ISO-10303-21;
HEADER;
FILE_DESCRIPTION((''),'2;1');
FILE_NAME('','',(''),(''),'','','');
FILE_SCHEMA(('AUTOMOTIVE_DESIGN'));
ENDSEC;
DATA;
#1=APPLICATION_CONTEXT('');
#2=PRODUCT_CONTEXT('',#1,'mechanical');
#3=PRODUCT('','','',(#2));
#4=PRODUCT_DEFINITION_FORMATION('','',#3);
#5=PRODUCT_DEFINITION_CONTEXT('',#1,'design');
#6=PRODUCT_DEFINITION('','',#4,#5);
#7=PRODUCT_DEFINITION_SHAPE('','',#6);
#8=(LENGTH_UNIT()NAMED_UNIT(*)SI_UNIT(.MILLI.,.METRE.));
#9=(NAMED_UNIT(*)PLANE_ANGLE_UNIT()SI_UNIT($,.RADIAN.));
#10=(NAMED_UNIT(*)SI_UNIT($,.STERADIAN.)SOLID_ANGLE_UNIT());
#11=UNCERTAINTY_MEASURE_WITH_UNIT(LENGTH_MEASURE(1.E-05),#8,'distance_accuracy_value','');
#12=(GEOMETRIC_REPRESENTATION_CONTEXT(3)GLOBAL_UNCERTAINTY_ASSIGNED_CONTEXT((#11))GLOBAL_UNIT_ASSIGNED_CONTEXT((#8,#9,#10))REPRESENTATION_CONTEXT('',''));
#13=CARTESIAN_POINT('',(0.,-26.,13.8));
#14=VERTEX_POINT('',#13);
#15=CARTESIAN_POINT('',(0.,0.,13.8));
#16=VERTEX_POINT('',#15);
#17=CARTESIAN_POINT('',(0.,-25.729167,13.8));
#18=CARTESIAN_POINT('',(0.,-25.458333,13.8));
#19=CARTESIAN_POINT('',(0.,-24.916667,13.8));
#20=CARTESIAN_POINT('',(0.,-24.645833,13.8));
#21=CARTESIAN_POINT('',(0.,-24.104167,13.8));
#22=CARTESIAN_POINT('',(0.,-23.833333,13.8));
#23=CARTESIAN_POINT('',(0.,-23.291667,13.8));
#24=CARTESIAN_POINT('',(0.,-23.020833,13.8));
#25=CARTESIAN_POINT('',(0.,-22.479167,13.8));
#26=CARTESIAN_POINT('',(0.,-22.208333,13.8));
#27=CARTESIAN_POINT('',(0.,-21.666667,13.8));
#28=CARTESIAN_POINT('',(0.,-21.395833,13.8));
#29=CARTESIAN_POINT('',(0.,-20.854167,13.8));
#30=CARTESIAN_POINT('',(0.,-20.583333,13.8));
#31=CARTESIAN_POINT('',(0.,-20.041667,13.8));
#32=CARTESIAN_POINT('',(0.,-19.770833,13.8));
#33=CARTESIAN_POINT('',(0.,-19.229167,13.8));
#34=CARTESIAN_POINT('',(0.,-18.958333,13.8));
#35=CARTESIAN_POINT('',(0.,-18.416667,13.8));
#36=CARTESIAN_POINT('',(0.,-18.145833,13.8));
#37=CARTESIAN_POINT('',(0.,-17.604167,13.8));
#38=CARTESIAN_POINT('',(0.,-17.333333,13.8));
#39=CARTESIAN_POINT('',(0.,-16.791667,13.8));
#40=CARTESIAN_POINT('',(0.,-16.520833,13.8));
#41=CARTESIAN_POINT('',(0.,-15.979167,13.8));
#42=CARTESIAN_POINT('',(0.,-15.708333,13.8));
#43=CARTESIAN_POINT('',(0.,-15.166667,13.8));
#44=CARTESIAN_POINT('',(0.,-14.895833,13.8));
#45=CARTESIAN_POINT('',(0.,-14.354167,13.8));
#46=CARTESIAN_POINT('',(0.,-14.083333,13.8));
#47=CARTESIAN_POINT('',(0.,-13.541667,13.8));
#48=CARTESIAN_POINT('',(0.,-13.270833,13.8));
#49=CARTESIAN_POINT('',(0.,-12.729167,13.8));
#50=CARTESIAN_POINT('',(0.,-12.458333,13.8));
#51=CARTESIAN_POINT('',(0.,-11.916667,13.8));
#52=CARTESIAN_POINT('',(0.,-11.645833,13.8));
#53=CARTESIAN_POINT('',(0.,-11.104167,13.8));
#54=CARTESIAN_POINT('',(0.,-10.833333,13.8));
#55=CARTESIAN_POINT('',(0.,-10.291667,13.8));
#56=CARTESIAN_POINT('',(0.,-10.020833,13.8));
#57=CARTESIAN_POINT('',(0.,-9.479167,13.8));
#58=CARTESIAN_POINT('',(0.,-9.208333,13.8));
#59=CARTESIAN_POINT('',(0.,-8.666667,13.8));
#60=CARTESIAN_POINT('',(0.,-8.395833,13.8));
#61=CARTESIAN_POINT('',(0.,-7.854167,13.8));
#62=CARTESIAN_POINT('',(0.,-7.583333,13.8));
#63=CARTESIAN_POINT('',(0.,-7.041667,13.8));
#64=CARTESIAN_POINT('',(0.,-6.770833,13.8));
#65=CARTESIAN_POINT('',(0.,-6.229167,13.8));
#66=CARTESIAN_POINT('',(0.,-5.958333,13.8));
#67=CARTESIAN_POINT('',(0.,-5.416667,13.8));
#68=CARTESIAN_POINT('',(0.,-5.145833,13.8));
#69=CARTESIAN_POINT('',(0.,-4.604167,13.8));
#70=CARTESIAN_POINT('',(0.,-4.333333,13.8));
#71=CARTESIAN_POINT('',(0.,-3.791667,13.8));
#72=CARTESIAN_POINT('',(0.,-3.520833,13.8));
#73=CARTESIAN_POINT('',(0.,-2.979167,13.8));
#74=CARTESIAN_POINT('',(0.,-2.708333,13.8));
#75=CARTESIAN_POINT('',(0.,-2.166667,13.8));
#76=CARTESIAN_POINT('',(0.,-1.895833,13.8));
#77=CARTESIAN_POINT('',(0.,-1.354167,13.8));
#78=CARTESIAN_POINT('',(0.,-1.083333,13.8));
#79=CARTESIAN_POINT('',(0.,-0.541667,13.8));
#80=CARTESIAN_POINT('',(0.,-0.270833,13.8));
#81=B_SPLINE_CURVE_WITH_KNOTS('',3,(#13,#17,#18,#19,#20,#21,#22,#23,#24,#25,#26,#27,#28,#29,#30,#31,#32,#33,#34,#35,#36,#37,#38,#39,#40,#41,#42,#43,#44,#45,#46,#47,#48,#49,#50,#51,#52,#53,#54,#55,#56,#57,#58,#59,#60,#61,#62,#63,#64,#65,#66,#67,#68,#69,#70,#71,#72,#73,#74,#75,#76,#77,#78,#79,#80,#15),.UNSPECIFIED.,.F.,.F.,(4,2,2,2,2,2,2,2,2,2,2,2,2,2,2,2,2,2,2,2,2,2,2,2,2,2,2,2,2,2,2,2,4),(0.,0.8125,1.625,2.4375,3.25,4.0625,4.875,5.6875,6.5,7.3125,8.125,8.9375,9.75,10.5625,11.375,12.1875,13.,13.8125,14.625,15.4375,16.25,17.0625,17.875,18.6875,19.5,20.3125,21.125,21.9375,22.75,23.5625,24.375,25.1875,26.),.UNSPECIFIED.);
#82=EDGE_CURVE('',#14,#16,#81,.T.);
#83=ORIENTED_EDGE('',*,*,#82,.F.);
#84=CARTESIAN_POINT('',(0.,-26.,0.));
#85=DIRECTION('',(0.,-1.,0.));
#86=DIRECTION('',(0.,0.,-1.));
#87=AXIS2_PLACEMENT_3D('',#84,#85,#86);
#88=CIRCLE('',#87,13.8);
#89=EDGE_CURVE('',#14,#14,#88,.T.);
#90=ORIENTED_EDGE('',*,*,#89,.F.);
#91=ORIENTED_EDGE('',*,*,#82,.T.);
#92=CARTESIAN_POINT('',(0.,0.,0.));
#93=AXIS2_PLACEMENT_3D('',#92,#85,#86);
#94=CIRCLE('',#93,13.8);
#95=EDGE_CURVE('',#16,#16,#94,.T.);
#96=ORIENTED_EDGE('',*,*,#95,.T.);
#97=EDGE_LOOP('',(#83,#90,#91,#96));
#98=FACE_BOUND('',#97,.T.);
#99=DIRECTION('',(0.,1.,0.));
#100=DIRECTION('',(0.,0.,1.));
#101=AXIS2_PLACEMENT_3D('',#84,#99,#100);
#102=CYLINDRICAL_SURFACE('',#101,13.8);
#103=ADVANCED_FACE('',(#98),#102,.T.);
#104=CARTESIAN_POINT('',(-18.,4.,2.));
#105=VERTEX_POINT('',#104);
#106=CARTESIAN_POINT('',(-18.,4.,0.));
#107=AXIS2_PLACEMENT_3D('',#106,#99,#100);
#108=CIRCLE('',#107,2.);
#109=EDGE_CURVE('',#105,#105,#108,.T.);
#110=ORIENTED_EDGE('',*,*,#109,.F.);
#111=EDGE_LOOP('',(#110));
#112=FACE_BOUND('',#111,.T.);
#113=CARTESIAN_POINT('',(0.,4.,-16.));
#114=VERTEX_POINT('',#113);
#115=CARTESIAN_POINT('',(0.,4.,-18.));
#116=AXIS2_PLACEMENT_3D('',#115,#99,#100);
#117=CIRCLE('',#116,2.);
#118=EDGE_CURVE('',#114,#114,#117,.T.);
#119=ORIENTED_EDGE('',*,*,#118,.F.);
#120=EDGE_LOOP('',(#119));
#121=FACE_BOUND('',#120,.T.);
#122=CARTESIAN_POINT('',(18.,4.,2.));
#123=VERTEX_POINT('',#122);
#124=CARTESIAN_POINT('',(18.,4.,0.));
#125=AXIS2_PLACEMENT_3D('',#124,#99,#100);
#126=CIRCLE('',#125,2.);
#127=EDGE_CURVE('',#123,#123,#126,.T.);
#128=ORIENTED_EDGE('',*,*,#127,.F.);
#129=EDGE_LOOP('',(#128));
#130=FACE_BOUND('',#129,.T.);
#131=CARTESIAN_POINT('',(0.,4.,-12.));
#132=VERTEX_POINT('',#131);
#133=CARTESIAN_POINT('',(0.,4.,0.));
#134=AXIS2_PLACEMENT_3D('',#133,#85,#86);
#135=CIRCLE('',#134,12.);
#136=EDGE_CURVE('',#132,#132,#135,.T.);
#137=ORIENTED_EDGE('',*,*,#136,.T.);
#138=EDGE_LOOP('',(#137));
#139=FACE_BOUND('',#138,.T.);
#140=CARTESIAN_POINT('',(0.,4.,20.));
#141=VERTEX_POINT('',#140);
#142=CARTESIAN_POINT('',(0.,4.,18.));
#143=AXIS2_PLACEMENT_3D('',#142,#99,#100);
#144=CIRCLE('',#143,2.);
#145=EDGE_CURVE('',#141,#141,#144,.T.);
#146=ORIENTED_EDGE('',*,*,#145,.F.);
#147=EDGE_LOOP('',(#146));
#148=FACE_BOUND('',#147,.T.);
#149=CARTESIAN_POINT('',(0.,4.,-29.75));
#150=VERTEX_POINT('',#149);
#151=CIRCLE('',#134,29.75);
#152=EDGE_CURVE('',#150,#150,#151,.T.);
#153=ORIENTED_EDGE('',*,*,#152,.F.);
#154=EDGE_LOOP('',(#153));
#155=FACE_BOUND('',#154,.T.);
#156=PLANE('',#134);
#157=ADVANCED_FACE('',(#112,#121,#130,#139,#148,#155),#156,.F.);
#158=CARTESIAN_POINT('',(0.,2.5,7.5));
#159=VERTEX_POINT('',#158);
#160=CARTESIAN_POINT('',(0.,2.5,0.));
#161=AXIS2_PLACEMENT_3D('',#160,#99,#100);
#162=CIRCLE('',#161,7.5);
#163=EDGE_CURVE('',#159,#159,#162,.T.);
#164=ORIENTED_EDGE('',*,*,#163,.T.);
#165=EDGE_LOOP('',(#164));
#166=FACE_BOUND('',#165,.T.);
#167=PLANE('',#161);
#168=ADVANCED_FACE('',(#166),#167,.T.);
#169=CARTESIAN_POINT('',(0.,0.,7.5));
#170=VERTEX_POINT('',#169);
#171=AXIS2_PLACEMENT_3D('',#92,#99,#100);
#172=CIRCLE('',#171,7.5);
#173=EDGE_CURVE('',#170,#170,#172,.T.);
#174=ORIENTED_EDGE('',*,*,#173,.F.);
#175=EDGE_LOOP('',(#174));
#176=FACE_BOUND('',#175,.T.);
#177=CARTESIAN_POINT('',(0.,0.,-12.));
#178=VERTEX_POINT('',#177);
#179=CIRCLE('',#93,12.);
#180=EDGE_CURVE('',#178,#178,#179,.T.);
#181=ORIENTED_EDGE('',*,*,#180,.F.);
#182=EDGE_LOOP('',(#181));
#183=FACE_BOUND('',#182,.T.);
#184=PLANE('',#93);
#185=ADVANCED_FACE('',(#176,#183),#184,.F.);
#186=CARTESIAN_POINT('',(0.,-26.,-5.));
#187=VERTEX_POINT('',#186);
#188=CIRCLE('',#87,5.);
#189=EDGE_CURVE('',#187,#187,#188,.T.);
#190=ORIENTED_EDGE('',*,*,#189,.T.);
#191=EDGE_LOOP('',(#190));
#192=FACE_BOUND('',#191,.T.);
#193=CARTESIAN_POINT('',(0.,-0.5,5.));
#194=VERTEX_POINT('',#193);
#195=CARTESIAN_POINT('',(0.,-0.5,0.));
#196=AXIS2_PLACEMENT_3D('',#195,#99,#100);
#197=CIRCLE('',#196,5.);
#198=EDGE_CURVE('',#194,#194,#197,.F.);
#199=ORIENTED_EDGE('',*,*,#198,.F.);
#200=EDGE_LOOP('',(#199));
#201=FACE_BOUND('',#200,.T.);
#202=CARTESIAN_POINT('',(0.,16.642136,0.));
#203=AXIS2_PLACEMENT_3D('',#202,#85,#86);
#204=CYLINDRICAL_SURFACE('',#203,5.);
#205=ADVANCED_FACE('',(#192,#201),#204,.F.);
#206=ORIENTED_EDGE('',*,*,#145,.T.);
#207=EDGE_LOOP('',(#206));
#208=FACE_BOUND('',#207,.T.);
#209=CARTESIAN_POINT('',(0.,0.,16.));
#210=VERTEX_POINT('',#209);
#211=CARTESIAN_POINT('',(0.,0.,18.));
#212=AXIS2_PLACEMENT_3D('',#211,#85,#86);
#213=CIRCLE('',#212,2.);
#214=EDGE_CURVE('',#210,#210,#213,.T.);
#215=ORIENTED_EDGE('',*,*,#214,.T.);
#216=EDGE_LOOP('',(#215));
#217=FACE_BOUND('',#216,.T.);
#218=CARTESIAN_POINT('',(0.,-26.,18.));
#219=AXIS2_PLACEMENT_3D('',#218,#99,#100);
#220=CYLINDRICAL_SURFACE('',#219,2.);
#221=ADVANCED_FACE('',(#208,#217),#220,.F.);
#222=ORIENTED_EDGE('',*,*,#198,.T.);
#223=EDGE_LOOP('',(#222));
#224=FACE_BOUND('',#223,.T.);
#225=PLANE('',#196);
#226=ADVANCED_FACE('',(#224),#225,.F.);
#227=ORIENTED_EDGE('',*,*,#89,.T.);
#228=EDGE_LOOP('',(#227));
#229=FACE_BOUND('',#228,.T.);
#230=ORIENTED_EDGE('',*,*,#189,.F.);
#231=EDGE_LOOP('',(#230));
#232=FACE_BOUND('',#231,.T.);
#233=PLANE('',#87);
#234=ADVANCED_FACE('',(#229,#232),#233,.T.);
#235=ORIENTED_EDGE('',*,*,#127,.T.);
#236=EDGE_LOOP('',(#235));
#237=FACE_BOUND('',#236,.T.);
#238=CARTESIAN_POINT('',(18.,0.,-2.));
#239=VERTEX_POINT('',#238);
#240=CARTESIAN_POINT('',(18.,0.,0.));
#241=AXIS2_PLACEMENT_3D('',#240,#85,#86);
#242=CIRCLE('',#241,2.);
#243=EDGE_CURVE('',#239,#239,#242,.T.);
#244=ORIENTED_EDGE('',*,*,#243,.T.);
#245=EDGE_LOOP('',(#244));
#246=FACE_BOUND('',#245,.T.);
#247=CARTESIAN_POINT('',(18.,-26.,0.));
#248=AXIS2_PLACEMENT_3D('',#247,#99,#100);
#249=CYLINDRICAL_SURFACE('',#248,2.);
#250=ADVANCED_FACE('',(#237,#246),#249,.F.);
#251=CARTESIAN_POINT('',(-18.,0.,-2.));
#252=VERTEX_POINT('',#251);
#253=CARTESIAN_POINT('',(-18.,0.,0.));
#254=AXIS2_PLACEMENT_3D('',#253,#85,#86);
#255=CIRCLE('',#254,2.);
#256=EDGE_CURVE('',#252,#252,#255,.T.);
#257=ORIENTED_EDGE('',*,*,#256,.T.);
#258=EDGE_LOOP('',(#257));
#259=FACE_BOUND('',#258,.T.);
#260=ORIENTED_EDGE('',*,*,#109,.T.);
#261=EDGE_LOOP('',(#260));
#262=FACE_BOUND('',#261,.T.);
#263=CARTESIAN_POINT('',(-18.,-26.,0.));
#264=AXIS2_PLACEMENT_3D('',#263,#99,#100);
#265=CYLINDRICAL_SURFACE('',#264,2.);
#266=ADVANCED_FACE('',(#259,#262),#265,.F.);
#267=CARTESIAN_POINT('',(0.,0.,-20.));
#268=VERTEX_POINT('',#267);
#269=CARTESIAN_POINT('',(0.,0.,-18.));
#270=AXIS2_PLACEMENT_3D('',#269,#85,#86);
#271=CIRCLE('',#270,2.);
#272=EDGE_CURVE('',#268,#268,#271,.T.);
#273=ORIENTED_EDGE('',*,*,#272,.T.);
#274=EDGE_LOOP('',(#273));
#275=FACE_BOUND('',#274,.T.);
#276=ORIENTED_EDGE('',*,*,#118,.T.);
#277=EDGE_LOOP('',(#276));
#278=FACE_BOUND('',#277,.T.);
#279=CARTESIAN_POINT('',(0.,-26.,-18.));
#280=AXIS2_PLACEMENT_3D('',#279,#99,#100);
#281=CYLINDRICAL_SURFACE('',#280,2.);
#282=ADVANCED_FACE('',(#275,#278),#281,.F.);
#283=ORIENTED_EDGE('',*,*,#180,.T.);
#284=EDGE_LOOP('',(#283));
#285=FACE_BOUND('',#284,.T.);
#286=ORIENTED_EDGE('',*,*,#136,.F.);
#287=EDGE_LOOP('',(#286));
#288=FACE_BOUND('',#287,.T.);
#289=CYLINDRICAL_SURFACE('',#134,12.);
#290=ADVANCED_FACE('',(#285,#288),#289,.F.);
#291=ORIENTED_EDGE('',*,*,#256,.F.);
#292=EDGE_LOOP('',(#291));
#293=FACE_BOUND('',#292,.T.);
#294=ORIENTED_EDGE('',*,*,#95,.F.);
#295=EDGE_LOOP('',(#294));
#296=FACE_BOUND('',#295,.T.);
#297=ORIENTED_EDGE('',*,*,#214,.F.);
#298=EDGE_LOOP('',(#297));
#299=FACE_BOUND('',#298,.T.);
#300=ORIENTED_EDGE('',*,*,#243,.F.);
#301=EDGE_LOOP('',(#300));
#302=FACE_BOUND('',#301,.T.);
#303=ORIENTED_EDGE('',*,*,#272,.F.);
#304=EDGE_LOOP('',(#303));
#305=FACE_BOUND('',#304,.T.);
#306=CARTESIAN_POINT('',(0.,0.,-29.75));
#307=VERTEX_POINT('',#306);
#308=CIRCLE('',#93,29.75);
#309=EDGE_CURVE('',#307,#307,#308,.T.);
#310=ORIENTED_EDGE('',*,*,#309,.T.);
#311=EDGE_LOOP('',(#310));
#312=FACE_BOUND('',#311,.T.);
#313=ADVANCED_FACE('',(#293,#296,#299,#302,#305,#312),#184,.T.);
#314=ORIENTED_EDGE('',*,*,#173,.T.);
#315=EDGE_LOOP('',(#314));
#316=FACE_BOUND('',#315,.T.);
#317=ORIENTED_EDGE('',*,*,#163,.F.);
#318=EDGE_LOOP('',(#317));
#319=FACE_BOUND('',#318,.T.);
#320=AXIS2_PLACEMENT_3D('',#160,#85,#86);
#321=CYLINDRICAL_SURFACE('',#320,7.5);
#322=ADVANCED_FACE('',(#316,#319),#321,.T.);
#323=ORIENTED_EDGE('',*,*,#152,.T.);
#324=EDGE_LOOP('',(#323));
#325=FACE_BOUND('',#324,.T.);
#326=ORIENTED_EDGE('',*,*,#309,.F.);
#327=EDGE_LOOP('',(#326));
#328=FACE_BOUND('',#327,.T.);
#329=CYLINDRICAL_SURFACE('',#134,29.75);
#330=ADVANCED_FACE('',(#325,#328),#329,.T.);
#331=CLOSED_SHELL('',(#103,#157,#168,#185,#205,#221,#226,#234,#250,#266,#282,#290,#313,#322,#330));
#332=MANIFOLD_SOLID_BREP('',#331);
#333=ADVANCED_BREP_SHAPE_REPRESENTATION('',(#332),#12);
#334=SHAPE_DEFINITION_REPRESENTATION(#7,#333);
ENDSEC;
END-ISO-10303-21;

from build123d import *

# Parameters (mm, degrees)
SKETCH1_R           = 7.5
BOSS_EXTRUDE1_DEPTH = 2.5
SKETCH2_R           = 29.75
SKETCH2_R_2         = 12
BOSS_EXTRUDE2_DEPTH = 4
SKETCH3_R           = 13.8
BOSS_EXTRUDE3_DEPTH = 26
SKETCH4_R           = 5
CUT_EXTRUDE1_DEPTH  = 25.5
SKETCH5_R           = 2
CUT_EXTRUDE2_DEPTH  = 52.673252268


with BuildPart() as part:
    # Sketch1 → Boss-Extrude1 (new body)
    with BuildSketch(Plane(origin=(0, 0, 0), x_dir=(1, 0, 0), z_dir=(0, 1, 0))):
        with Locations(Location((0, 0, 0), (0, 0, 270))):
            Circle(SKETCH1_R)
    extrude(amount=BOSS_EXTRUDE1_DEPTH)



with BuildPart() as body_2:
    # Sketch2 → Boss-Extrude2 (new body)
    with BuildSketch(Plane.XZ):
        with Locations(Location((0, 0, 0), (0, 0, 270))):
            Circle(SKETCH2_R)
        with Locations(Location((0, 0, 0), (0, 0, 270))):
            Circle(SKETCH2_R_2, mode=Mode.SUBTRACT)
    extrude(amount=-BOSS_EXTRUDE2_DEPTH)


with BuildPart() as part_1:
    add(part.part)

    add(body_2.part)  # Boss-Extrude3 merges body 2
    # Sketch3 → Boss-Extrude3 (add)
    with BuildSketch(Plane.XZ):
        with Locations(Location((0, 0, 0), (0, 0, 90))):
            Circle(SKETCH3_R)
    extrude(amount=BOSS_EXTRUDE3_DEPTH)

    # Sketch4 → Cut-Extrude1 (cut)
    with BuildSketch(Plane.XZ.offset(26)):
        with Locations(Location((0, 0, 0), (0, 0, 270))):
            Circle(SKETCH4_R)
    extrude(amount=-CUT_EXTRUDE1_DEPTH, mode=Mode.SUBTRACT)

    # Sketch5 → Cut-Extrude2 (cut, through all)
    with BuildSketch(Plane(origin=(0, 4, 0), x_dir=(1, 0, 0), z_dir=(0, 1, 0))):
        with Locations(Location((0, 18, 0), (0, 0, 270))):
            Circle(SKETCH5_R)
        with Locations(Location((18, 0, 0), (0, 0, 270))):
            Circle(SKETCH5_R)
        with Locations(Location((0, -18, 0), (0, 0, 270))):
            Circle(SKETCH5_R)
        with Locations(Location((-18, 0, 0), (0, 0, 270))):
            Circle(SKETCH5_R)
    extrude(amount=-CUT_EXTRUDE2_DEPTH, mode=Mode.SUBTRACT)


solid = part_1.part
